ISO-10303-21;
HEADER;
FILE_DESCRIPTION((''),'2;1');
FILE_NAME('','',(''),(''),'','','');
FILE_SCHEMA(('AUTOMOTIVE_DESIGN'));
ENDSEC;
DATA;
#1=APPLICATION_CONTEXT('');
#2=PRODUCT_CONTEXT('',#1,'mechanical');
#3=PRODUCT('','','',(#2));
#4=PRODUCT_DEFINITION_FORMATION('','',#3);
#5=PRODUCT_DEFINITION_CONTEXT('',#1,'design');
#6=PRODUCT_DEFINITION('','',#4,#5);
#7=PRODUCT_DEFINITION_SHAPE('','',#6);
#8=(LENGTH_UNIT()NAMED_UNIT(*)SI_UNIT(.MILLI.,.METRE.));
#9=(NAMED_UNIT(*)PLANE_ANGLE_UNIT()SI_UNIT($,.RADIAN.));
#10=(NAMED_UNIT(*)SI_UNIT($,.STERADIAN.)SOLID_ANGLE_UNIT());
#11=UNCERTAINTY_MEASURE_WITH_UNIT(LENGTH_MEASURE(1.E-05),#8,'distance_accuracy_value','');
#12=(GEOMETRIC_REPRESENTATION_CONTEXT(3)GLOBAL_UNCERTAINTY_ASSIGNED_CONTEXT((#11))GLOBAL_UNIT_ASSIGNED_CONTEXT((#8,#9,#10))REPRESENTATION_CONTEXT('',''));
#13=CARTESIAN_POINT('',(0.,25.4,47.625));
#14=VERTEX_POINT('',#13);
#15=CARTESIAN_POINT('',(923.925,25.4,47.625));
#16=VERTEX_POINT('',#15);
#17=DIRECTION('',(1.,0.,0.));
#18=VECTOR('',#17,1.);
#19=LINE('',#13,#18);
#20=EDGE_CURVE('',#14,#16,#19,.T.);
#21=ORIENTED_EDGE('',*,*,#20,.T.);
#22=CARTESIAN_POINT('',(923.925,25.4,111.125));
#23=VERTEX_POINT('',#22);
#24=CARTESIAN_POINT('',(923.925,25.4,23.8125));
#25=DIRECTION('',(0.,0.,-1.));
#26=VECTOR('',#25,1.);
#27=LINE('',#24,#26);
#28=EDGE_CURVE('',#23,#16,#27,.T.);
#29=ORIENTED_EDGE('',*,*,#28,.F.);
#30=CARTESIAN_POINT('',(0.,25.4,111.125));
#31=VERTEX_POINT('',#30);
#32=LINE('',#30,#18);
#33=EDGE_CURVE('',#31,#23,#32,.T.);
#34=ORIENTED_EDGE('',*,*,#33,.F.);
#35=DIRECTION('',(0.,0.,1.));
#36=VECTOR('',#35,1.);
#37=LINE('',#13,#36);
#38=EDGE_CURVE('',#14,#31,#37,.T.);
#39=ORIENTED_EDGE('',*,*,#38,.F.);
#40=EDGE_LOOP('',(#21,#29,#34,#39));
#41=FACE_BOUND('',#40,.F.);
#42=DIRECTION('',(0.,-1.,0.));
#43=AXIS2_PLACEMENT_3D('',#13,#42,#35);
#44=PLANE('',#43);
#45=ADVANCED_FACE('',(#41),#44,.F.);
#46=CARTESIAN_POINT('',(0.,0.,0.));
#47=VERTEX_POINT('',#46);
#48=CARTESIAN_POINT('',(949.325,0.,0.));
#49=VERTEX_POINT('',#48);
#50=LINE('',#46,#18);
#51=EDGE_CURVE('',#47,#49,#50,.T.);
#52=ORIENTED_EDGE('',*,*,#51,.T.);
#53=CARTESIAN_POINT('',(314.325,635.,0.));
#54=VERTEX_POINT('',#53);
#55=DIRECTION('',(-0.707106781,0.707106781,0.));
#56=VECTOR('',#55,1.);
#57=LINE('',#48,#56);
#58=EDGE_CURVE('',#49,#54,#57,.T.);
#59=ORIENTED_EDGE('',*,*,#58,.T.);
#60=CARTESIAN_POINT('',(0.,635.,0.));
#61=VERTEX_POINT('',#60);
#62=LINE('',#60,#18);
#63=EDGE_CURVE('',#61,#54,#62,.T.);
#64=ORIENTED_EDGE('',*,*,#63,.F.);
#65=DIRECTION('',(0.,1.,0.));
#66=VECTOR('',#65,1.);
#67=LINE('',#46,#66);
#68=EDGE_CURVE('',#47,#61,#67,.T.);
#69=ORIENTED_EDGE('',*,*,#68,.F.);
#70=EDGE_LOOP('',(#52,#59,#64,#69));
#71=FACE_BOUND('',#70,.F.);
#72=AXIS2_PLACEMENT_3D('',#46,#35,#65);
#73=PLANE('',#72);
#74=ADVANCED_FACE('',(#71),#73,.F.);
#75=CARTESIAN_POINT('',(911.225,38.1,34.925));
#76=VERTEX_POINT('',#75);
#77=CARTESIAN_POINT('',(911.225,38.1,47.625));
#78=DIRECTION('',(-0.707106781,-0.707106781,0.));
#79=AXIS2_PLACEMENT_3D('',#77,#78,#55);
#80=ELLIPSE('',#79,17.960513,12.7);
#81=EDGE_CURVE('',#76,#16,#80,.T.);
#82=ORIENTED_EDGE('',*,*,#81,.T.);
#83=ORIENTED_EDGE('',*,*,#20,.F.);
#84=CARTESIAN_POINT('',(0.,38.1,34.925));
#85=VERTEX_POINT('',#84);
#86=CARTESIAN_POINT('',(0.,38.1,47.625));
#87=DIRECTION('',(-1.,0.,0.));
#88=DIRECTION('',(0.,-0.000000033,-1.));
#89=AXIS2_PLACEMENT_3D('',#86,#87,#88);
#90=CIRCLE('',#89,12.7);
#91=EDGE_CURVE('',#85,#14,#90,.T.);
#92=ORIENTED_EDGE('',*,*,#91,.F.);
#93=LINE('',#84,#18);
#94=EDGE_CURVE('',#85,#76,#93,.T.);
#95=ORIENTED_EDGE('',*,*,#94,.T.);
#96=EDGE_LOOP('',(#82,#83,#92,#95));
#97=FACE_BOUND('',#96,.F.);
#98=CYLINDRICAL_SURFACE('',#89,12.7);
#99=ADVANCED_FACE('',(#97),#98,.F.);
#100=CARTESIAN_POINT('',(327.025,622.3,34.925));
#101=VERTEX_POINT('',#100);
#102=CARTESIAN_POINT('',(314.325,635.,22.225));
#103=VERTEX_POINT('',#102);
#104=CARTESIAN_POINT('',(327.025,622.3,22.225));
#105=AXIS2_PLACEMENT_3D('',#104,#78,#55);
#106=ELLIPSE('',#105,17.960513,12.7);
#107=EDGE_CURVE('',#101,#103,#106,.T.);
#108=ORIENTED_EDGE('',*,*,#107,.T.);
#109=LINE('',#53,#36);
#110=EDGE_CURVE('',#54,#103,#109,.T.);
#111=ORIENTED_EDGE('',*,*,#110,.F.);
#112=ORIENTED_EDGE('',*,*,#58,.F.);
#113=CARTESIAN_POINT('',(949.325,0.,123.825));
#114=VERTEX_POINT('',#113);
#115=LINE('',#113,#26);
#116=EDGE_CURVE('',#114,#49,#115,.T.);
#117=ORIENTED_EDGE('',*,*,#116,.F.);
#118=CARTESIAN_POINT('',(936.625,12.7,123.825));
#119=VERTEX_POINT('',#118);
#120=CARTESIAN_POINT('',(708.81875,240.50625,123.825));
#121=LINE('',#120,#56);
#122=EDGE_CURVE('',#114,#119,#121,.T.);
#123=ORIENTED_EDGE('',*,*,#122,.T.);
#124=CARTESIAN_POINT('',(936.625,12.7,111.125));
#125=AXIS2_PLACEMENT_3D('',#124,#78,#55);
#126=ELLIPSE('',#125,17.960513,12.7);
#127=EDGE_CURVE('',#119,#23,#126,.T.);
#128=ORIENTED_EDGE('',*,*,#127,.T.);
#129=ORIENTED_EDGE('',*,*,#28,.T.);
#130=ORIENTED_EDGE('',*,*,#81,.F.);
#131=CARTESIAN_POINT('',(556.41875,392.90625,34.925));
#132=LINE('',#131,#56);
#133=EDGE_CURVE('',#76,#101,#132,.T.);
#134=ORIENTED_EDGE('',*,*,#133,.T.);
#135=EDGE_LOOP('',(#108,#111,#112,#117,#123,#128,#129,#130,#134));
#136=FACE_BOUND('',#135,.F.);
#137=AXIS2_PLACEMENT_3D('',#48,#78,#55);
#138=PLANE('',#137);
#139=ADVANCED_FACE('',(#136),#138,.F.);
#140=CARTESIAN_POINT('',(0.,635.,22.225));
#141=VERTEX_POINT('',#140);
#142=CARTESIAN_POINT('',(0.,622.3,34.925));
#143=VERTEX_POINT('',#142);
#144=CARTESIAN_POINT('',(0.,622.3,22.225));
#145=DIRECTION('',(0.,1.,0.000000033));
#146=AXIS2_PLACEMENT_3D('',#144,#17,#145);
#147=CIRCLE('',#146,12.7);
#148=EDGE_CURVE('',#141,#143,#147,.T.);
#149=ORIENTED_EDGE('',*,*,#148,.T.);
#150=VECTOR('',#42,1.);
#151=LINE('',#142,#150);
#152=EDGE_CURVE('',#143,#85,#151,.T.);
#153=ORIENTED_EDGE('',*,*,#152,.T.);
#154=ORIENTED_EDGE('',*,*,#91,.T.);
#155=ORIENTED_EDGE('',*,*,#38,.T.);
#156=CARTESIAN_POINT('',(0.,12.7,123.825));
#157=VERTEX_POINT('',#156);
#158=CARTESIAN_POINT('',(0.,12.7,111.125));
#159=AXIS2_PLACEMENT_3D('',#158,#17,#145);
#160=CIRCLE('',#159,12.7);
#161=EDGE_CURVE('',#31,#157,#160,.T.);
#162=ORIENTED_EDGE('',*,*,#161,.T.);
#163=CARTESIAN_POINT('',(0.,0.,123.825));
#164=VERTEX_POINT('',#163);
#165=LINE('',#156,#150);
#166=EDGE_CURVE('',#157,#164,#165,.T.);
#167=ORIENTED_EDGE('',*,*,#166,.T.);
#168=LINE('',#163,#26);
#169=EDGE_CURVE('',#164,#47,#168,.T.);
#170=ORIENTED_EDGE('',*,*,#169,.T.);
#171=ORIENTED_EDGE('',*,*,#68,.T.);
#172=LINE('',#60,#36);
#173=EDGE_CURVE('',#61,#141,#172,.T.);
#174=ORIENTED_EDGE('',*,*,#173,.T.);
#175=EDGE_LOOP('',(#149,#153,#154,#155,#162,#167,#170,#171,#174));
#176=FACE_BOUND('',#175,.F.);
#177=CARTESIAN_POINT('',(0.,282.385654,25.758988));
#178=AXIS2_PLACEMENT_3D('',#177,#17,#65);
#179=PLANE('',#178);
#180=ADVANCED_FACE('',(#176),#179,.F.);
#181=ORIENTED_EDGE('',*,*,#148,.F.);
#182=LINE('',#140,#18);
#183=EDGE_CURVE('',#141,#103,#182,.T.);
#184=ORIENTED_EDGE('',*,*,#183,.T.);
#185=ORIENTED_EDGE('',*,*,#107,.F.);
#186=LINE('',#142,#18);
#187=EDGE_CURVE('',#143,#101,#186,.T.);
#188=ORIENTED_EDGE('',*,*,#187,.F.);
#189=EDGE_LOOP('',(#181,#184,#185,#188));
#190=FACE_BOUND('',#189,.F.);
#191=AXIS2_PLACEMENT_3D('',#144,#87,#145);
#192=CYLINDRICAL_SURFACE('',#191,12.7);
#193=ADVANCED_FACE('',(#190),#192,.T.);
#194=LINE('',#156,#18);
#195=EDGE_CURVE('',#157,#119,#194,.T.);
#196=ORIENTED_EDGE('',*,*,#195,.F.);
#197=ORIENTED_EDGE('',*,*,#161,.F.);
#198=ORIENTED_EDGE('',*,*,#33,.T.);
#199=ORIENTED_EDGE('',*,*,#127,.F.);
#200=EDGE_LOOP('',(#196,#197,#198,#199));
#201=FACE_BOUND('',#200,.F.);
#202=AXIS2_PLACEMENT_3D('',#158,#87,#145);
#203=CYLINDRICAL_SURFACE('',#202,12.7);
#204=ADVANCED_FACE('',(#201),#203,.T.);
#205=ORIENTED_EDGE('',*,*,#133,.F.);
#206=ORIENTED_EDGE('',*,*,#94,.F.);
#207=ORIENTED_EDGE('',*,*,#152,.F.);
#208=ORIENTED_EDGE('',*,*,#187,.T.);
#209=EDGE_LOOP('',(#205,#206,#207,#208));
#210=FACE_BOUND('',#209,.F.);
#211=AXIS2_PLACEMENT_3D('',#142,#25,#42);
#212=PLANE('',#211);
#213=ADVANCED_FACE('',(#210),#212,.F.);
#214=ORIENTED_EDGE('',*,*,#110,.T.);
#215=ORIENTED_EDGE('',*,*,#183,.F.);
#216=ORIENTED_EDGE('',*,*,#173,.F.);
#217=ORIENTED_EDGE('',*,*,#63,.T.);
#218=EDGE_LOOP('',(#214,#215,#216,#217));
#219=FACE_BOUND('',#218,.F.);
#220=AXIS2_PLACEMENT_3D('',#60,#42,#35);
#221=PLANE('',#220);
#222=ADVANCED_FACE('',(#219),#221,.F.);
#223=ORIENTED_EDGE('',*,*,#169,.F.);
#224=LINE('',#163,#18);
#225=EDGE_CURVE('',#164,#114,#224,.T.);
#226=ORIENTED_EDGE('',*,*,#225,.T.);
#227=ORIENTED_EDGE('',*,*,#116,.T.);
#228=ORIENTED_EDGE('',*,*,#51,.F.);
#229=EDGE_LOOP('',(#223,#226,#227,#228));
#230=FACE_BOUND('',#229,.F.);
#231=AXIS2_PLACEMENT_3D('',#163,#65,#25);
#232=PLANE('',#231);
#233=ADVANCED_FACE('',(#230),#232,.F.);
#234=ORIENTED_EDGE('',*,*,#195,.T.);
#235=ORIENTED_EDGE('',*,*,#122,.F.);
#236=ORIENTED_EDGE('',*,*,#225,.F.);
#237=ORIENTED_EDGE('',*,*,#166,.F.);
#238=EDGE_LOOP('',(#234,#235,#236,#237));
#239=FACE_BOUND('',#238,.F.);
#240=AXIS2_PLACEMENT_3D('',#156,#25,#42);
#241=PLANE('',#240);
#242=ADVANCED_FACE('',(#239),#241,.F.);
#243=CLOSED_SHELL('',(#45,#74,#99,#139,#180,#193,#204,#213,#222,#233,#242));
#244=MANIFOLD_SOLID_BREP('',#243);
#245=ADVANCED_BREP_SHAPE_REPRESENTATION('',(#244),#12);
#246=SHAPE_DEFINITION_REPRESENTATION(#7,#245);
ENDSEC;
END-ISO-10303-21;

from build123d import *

# Parameters (mm, degrees)
F1_DEPTH = 949.325
F3_DEPTH = 254


with BuildPart() as f1:
    # F0 (on Right) → F1 (new body)
    with BuildSketch(Plane.YZ):
        with BuildLine():
            Line((0, 34.925), (0, 0))
            Line((0, 0), (635, 0))
            Line((635, 0), (635, 22.225))
            ThreePointArc((635, 22.225), (631.280256, 31.205256), (622.3, 34.925))
            Line((622.3, 34.925), (38.1, 34.925))
            ThreePointArc((38.1, 34.925), (29.119744, 38.644744), (25.4, 47.625))
            Line((25.4, 47.625), (25.4, 111.125))
            ThreePointArc((25.4, 111.125), (21.680256, 120.105256), (12.7, 123.825))
            Line((12.7, 123.825), (0, 123.825))
            Line((0, 123.825), (0, 34.925))
        make_face()
    extrude(amount=F1_DEPTH)

    # F2 (on face) → F3 (cut)
    with BuildSketch(Plane(origin=(0, 0, 0), x_dir=(1, 0, 0), z_dir=(0, 0, -1))):
        Polygon((949.325, -635), (949.325, 0), (314.325, -635), align=None)
    extrude(amount=-F3_DEPTH, mode=Mode.SUBTRACT)


solid = f1.part
